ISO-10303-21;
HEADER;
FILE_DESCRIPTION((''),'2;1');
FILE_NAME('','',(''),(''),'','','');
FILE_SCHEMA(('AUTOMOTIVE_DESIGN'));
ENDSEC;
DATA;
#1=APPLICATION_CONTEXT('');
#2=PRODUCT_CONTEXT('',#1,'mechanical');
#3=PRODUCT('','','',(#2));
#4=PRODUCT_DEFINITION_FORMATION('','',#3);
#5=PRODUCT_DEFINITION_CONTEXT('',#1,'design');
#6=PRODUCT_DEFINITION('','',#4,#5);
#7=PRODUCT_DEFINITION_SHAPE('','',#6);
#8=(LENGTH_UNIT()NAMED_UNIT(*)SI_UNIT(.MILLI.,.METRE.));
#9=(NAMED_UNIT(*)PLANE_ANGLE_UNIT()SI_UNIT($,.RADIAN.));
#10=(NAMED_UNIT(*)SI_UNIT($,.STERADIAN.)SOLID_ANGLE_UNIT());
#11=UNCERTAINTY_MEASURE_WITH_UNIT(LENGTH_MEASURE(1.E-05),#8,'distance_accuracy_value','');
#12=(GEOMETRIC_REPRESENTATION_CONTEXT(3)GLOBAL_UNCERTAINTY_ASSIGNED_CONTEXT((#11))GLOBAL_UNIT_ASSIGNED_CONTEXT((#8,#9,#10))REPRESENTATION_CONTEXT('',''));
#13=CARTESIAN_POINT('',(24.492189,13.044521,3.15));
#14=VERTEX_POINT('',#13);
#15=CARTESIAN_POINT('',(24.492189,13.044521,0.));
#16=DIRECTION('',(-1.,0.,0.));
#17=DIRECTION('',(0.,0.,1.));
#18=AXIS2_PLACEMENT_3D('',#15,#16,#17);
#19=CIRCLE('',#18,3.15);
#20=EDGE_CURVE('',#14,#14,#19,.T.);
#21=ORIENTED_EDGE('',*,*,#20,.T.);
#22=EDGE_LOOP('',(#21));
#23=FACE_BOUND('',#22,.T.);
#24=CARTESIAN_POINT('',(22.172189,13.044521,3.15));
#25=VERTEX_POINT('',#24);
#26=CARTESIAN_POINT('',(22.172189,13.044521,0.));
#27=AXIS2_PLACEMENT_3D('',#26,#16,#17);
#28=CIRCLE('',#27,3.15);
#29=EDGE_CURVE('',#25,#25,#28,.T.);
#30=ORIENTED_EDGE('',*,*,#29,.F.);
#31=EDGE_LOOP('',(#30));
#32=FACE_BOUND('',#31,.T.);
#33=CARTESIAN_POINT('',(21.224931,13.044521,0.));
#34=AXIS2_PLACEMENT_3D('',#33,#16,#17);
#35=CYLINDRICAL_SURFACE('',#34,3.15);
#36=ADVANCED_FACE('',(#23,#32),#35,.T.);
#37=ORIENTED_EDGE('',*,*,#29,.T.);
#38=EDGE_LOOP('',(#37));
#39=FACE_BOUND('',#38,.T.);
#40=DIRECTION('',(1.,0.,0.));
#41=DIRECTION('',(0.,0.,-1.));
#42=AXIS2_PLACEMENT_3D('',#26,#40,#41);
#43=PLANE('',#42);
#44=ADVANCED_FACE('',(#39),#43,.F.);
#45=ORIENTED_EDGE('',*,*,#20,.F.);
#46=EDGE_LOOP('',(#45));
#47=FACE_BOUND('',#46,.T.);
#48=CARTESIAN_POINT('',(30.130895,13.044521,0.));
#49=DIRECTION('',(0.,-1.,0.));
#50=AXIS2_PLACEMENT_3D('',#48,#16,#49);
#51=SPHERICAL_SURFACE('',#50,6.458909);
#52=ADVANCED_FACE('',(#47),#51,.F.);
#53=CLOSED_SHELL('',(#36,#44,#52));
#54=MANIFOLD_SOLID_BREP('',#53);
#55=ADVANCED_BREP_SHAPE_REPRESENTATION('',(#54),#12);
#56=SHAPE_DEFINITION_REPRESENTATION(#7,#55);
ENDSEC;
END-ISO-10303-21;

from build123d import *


with BuildPart() as part:
    # 草图1 → 旋转1 (revolve)
    with BuildSketch(Plane.XY, mode=Mode.PRIVATE) as revolve_1_sk:
        with BuildLine():
            Line((22.172189475, 13.044520575), (22.172189475, 16.194520575))
            Line((22.172189475, 16.194520575), (24.492189475, 16.194520575))
            ThreePointArc((24.492189475, 16.194520575), (23.880399724, 14.672036546), (23.671986482, 13.044520575))
            Line((23.671986482, 13.044520575), (22.172189475, 13.044520575))
        make_face()
    revolve(revolve_1_sk.sketch.rotate(Axis((21.224930557, 13.044520575, 0), (1, 0, 0)), 180), axis=Axis((21.224930557, 13.044520575, 0), (1, 0, 0)))  # turned: the seam where the file's is


solid = part.part
